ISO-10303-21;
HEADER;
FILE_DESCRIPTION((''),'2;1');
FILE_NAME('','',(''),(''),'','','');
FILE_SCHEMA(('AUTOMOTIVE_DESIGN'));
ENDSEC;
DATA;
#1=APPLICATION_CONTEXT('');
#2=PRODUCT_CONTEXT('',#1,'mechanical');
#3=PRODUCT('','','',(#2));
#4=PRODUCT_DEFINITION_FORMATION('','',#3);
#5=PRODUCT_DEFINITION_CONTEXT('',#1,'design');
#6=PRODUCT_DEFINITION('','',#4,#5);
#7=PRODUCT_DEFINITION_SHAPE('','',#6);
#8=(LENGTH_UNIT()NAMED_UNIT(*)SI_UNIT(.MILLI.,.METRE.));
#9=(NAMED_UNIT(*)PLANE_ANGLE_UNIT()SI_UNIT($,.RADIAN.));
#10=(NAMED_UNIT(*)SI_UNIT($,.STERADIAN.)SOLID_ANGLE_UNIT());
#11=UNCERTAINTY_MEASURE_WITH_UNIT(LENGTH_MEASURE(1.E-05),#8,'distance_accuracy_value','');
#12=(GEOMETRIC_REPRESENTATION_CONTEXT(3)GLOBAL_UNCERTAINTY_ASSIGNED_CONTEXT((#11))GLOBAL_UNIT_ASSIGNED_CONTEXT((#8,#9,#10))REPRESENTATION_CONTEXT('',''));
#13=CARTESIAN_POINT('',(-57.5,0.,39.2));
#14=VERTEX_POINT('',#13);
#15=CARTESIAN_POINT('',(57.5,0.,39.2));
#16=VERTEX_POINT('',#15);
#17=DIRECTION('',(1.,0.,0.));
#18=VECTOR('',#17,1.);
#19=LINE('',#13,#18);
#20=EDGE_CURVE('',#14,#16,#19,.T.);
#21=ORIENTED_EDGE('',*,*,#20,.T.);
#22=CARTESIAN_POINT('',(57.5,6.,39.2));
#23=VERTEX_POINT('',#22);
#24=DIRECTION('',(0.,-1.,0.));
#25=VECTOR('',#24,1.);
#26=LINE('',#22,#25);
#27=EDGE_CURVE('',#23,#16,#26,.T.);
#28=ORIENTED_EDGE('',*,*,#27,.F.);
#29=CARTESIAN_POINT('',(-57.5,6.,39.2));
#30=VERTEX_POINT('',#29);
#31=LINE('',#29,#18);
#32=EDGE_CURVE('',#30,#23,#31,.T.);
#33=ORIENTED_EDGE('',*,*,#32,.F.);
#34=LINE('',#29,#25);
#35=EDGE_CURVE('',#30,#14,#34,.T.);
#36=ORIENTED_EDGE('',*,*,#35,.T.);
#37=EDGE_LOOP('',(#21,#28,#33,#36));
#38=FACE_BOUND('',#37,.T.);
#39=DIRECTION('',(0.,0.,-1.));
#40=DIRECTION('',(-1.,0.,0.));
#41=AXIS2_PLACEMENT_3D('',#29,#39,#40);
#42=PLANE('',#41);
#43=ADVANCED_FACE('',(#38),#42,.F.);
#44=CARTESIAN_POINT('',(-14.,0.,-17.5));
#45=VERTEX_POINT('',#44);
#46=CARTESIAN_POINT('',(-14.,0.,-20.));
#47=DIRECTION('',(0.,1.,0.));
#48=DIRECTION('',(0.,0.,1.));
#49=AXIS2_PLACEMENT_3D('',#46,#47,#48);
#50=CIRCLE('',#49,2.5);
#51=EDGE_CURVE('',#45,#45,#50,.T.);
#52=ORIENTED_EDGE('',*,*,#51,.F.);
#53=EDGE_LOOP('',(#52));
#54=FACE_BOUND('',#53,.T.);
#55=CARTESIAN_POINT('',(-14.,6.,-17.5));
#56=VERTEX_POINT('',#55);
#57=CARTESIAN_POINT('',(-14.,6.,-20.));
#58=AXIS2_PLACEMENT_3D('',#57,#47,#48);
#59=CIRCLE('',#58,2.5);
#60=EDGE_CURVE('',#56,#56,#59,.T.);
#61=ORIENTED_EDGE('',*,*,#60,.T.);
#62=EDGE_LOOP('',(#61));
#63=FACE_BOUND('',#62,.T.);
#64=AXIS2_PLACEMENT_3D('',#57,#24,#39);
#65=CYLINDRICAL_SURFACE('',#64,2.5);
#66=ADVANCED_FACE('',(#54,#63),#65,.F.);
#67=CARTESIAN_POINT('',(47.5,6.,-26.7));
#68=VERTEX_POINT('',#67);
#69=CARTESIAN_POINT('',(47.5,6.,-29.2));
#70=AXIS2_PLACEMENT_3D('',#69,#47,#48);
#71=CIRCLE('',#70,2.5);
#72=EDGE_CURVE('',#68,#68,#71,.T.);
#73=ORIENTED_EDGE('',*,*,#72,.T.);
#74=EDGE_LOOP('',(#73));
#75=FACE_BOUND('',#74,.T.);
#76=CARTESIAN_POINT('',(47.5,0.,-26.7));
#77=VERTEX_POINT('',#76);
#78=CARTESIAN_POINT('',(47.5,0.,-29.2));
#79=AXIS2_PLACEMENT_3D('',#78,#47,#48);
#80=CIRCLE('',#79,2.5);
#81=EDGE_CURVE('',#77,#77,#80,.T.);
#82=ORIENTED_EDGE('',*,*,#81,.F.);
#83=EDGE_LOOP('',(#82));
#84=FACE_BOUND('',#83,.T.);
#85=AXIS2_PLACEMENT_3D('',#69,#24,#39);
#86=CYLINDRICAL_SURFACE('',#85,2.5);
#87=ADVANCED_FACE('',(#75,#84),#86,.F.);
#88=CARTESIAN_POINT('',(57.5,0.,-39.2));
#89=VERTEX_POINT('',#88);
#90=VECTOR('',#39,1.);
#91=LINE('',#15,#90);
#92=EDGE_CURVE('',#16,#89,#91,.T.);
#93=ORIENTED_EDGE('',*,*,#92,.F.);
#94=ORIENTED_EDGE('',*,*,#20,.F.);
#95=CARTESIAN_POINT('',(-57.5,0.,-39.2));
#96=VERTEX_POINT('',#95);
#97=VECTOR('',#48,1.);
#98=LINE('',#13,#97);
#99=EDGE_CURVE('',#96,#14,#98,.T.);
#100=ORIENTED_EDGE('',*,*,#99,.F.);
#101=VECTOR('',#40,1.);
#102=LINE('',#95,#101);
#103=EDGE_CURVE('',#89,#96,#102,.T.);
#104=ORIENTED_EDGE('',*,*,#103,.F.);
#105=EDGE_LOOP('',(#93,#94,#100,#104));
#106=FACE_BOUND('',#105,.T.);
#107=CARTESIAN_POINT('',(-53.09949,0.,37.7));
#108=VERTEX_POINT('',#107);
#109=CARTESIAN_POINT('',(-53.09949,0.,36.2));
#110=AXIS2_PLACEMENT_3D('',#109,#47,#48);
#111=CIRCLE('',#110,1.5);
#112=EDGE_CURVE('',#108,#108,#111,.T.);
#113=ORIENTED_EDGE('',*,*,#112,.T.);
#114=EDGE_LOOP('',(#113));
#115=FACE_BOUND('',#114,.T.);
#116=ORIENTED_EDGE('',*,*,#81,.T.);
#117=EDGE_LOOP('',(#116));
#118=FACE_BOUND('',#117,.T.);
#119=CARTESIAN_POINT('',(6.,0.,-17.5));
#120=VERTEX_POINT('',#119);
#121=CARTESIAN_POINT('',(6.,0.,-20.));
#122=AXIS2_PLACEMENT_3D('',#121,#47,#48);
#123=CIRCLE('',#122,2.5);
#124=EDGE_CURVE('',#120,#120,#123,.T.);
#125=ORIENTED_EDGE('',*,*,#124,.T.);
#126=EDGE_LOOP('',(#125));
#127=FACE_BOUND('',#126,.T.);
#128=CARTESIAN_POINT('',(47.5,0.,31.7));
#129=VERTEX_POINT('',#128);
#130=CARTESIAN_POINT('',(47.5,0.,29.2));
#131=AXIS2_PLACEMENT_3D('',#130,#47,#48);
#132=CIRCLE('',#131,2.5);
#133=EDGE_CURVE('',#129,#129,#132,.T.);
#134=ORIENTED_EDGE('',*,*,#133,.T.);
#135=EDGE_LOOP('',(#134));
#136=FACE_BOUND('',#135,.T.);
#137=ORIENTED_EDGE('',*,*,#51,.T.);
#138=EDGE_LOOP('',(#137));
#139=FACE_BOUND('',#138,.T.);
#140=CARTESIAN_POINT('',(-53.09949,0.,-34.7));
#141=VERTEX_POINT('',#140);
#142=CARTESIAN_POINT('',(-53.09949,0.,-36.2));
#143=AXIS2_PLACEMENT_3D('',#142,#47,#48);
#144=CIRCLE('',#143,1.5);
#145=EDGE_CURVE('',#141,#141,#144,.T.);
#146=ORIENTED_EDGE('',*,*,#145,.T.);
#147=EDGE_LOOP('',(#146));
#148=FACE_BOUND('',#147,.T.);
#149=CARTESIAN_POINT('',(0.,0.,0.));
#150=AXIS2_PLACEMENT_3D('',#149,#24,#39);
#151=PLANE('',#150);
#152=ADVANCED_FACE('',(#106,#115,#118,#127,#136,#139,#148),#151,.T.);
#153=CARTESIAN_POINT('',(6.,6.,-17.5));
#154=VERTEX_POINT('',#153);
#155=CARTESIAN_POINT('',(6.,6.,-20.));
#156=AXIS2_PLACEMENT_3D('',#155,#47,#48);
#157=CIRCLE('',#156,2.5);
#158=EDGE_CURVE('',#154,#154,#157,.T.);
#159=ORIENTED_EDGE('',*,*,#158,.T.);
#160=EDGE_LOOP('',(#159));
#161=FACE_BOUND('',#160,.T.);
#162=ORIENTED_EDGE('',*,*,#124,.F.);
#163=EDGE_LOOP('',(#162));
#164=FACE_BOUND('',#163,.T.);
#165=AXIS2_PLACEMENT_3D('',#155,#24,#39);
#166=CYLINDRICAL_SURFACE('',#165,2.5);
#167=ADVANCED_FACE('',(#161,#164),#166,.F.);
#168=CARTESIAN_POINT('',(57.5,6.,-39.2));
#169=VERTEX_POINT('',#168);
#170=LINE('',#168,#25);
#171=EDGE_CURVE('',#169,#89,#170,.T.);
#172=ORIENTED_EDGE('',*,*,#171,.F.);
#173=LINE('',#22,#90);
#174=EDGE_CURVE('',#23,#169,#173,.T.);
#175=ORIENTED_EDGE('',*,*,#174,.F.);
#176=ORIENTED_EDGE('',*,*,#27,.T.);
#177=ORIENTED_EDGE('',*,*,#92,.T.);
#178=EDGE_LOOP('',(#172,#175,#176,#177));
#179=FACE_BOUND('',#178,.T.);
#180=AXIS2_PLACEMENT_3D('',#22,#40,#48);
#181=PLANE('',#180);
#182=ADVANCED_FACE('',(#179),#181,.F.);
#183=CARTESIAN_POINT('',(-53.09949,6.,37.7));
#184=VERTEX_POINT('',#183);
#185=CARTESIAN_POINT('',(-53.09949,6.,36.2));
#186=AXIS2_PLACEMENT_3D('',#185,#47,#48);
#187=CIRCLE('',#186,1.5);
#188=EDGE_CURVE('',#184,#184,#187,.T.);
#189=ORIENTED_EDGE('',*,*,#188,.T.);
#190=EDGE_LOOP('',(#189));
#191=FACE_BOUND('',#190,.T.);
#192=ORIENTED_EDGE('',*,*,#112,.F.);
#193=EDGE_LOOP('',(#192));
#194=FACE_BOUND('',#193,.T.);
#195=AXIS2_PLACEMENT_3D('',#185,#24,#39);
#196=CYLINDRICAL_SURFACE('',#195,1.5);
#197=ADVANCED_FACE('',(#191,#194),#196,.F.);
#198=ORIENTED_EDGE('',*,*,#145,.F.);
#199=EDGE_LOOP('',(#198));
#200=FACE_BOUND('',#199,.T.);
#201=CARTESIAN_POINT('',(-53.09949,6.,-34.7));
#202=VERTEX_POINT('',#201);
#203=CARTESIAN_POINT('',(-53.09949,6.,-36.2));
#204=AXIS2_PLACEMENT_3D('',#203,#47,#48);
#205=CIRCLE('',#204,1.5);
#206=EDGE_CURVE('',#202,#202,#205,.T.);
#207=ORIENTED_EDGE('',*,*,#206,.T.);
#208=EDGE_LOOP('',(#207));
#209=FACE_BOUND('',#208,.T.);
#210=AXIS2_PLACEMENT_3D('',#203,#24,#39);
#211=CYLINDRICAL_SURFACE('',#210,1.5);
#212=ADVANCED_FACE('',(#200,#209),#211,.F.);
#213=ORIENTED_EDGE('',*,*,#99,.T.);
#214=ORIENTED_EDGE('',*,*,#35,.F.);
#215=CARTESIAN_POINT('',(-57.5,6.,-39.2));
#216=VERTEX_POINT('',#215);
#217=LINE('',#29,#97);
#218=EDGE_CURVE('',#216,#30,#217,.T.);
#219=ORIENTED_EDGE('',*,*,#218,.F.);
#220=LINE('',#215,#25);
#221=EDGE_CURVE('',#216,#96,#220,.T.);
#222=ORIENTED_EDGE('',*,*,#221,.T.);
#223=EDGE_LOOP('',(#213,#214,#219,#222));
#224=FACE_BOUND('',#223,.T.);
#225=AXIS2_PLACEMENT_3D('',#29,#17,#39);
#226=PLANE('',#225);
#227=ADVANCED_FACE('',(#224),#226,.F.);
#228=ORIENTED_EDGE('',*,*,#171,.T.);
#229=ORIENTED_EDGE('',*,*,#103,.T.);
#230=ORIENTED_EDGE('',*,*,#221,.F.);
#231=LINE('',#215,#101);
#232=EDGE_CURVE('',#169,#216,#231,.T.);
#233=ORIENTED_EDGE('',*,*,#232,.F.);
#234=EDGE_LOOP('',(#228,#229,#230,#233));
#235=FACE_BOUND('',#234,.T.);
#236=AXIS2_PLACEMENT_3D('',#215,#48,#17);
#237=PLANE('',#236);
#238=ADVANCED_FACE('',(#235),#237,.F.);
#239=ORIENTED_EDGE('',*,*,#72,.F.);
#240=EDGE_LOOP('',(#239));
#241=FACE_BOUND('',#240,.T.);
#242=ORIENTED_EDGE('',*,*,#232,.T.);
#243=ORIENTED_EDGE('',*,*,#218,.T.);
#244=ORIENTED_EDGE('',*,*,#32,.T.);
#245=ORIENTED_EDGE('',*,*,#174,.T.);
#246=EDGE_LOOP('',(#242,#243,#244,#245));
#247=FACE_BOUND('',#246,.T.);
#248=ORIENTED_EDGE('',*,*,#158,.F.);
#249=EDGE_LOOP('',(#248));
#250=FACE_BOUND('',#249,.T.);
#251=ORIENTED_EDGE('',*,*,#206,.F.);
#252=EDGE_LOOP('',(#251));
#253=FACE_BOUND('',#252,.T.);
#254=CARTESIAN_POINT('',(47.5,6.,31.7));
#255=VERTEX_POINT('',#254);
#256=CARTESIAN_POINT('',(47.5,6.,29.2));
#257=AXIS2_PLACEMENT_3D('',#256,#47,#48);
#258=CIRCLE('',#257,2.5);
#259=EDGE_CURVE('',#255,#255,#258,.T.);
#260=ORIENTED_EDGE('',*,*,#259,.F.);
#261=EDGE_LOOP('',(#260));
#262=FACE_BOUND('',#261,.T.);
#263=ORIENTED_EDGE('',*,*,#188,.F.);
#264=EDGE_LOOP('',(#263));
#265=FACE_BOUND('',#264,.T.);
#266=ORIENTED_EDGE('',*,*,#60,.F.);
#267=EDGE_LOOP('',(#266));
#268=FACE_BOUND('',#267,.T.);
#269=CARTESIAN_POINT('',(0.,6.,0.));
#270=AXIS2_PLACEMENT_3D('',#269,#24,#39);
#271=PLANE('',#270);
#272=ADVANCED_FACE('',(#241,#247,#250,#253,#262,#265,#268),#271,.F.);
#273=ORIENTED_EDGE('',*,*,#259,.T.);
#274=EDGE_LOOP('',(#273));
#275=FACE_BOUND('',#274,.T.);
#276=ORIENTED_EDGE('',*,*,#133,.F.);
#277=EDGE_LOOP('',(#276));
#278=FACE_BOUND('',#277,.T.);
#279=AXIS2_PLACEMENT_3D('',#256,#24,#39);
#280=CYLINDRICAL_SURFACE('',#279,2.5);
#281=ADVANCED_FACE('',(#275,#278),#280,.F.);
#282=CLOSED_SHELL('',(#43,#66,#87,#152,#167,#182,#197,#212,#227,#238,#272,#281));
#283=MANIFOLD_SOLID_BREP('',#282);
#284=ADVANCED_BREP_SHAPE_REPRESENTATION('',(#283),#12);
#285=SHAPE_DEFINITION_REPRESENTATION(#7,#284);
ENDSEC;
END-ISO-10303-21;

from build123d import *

# Parameters (mm, degrees)
SKETCH1_W           = 115
SKETCH1_H           = 78.4
SKETCH1_R           = 1.5
SKETCH1_R_2         = 2.5
BOSS_EXTRUDE1_DEPTH = 6


with BuildPart() as part:
    # Sketch1 → Boss-Extrude1 (new body)
    with BuildSketch(Plane(origin=(0, 0, 0), x_dir=(1, 0, 0), z_dir=(0, 1, 0))):
        Rectangle(SKETCH1_W, SKETCH1_H)
        with Locations((-53.099489796, 36.2)):
            Circle(SKETCH1_R, mode=Mode.SUBTRACT)
        with Locations((-53.099489796, -36.2)):
            Circle(SKETCH1_R, mode=Mode.SUBTRACT)
        with Locations((47.5, 29.2)):
            Circle(SKETCH1_R_2, mode=Mode.SUBTRACT)
        with Locations((47.5, -29.2)):
            Circle(SKETCH1_R_2, mode=Mode.SUBTRACT)
        with Locations((6, 20)):
            Circle(SKETCH1_R_2, mode=Mode.SUBTRACT)
        with Locations((-14, 20)):
            Circle(SKETCH1_R_2, mode=Mode.SUBTRACT)
    extrude(amount=BOSS_EXTRUDE1_DEPTH)


solid = part.part
